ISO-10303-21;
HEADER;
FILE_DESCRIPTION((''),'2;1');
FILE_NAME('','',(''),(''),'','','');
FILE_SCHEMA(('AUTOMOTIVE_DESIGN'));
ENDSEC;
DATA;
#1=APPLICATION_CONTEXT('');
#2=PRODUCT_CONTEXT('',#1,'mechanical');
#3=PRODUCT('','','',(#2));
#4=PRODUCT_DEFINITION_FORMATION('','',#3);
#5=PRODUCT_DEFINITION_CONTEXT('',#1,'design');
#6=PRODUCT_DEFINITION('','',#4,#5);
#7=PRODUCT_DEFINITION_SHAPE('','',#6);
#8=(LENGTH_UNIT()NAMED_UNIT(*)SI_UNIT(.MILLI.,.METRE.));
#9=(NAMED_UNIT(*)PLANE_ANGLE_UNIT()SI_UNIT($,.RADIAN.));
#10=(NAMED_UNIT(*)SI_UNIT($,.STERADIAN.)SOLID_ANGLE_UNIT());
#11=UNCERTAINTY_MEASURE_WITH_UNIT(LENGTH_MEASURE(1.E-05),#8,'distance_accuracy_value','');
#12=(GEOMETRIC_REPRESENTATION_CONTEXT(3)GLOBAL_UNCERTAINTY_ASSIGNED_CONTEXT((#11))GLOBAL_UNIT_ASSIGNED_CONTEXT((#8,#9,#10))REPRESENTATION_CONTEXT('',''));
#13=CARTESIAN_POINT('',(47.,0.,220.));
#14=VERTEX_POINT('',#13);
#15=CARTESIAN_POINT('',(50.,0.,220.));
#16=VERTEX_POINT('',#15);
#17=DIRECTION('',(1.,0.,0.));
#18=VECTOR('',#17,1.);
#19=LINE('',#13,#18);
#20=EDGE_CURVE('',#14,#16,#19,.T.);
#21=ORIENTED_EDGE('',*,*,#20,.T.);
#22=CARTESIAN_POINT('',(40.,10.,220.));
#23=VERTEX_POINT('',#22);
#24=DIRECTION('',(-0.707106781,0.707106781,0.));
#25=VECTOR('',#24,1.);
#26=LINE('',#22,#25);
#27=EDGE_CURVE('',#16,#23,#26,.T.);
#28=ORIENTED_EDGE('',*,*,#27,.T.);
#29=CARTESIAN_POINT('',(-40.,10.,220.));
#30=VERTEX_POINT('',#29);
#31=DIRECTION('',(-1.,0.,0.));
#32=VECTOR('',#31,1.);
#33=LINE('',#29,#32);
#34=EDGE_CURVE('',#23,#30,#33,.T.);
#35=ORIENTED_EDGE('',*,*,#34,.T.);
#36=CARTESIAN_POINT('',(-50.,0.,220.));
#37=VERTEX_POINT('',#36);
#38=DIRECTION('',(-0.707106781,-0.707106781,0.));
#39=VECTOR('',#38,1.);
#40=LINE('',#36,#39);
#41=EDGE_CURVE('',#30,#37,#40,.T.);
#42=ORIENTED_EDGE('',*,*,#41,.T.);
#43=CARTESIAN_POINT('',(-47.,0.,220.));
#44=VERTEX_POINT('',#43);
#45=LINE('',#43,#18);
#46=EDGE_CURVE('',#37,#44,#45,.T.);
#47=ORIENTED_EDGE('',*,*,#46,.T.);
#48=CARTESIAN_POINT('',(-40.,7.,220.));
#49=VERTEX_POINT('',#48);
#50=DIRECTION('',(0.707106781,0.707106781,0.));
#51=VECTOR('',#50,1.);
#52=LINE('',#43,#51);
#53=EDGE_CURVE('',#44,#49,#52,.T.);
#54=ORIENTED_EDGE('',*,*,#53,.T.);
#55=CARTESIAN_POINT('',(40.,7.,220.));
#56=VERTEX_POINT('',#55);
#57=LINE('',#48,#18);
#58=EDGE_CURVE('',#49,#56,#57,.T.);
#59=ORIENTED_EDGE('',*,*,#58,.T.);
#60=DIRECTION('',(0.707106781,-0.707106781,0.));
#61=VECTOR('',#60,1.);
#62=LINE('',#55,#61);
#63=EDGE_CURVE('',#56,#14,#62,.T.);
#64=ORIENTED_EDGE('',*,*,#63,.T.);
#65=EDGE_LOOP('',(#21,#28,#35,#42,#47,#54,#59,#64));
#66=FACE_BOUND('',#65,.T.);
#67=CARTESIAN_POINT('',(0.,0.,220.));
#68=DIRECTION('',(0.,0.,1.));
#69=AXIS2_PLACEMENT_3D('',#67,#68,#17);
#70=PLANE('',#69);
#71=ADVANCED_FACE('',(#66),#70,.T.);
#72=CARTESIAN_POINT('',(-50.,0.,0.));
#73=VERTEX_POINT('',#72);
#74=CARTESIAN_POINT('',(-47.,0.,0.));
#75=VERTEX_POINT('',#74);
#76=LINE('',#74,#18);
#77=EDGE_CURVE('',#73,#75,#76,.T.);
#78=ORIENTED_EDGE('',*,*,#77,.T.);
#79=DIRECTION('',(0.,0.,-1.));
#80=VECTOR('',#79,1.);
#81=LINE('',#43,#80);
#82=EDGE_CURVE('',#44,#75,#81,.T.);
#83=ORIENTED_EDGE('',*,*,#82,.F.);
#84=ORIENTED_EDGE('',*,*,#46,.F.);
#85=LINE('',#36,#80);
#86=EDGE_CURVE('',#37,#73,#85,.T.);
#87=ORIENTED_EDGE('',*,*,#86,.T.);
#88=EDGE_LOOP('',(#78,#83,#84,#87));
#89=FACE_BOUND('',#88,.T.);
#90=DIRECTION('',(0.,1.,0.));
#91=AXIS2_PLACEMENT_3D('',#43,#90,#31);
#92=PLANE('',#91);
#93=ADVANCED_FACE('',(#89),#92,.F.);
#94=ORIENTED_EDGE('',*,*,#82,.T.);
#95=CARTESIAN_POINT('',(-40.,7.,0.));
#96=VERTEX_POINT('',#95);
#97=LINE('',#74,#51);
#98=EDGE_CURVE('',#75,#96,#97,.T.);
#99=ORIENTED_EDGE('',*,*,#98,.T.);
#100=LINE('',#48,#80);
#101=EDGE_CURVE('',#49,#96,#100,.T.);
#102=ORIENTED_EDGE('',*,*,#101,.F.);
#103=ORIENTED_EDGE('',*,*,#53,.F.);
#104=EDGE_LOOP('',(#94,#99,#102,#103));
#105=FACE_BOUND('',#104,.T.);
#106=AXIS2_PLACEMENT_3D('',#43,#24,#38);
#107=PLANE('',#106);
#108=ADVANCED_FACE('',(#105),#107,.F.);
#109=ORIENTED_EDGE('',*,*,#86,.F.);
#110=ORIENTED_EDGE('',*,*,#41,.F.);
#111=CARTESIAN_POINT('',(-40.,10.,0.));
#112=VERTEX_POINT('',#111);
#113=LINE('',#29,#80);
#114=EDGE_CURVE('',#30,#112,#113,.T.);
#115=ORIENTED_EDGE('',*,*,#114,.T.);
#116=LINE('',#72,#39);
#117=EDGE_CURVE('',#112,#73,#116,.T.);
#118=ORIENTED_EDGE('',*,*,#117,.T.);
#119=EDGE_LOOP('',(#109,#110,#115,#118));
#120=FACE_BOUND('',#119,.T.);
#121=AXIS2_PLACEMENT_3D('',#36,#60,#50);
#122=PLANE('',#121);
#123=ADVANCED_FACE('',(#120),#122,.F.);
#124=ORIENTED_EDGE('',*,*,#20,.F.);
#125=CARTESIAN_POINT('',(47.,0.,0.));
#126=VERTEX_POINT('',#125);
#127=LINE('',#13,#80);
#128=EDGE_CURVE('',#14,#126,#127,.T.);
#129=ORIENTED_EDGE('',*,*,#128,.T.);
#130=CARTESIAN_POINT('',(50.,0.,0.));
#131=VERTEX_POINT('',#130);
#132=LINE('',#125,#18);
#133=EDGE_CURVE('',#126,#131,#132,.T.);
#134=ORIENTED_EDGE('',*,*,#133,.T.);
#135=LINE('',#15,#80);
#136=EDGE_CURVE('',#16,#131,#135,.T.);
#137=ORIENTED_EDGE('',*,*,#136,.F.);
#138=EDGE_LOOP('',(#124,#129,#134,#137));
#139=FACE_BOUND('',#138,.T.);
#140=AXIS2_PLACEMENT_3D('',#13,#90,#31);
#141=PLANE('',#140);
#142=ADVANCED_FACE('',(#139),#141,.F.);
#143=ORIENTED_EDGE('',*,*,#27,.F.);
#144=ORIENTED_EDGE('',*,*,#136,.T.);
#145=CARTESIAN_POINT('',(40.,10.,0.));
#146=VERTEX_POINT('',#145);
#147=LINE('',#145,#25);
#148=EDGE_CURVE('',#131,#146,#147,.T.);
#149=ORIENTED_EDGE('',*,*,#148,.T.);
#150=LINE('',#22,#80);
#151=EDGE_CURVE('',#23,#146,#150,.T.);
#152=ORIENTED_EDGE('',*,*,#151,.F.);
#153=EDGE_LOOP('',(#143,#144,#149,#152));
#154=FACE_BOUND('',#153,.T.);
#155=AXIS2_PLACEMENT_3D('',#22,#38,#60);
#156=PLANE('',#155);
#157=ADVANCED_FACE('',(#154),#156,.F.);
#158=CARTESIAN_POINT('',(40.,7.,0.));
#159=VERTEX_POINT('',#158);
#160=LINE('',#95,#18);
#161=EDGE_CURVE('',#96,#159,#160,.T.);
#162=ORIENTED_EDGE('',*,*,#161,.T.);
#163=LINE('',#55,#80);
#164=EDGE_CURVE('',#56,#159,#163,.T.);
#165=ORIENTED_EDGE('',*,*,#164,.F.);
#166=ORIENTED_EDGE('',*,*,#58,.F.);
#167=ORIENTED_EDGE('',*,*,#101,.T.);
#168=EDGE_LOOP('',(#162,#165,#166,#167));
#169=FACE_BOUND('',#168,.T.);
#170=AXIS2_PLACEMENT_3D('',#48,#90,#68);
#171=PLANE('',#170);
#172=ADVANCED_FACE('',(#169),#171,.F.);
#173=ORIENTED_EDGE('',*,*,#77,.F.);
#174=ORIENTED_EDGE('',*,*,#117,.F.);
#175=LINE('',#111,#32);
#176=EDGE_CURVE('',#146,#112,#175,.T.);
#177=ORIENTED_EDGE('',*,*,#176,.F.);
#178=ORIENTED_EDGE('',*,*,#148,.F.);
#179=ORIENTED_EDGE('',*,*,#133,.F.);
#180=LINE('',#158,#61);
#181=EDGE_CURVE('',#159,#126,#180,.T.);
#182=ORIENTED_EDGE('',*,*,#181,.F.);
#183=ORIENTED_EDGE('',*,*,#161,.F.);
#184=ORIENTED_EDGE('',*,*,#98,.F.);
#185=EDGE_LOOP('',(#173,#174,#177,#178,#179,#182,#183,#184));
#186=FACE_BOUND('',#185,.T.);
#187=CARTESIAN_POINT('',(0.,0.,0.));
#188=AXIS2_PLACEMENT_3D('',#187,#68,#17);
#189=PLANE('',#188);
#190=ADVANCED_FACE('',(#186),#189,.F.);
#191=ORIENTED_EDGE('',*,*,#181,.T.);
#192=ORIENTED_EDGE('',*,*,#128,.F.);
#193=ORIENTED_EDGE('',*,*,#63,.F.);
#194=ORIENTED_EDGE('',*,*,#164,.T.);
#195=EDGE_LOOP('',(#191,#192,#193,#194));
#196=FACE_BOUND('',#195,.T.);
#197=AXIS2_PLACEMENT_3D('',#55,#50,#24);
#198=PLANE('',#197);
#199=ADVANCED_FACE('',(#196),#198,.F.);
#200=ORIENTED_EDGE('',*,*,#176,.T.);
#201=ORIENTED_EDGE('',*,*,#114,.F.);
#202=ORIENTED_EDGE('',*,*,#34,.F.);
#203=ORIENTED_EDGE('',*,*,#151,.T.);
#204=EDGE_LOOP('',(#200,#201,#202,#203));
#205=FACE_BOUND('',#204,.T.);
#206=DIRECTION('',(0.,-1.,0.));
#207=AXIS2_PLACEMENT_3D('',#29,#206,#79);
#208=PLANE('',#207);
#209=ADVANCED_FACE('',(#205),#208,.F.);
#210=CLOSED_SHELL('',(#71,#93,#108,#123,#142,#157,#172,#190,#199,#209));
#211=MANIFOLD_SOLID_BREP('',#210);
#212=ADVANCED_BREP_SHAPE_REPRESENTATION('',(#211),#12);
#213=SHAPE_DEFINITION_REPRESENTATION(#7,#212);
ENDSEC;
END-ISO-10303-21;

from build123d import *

# Parameters (mm, degrees)
SALIENTE_EXTRUIR1_DEPTH = 220


with BuildPart() as part:
    # Croquis1 → Saliente-Extruir1 (new body)
    with BuildSketch(Plane.XY):
        Polygon((-47, 0), (-50, 0), (-40, 10), (40, 10), (50, 0), (47, 0), (40, 7), (-40, 7), align=None)
    extrude(amount=SALIENTE_EXTRUIR1_DEPTH)


solid = part.part
